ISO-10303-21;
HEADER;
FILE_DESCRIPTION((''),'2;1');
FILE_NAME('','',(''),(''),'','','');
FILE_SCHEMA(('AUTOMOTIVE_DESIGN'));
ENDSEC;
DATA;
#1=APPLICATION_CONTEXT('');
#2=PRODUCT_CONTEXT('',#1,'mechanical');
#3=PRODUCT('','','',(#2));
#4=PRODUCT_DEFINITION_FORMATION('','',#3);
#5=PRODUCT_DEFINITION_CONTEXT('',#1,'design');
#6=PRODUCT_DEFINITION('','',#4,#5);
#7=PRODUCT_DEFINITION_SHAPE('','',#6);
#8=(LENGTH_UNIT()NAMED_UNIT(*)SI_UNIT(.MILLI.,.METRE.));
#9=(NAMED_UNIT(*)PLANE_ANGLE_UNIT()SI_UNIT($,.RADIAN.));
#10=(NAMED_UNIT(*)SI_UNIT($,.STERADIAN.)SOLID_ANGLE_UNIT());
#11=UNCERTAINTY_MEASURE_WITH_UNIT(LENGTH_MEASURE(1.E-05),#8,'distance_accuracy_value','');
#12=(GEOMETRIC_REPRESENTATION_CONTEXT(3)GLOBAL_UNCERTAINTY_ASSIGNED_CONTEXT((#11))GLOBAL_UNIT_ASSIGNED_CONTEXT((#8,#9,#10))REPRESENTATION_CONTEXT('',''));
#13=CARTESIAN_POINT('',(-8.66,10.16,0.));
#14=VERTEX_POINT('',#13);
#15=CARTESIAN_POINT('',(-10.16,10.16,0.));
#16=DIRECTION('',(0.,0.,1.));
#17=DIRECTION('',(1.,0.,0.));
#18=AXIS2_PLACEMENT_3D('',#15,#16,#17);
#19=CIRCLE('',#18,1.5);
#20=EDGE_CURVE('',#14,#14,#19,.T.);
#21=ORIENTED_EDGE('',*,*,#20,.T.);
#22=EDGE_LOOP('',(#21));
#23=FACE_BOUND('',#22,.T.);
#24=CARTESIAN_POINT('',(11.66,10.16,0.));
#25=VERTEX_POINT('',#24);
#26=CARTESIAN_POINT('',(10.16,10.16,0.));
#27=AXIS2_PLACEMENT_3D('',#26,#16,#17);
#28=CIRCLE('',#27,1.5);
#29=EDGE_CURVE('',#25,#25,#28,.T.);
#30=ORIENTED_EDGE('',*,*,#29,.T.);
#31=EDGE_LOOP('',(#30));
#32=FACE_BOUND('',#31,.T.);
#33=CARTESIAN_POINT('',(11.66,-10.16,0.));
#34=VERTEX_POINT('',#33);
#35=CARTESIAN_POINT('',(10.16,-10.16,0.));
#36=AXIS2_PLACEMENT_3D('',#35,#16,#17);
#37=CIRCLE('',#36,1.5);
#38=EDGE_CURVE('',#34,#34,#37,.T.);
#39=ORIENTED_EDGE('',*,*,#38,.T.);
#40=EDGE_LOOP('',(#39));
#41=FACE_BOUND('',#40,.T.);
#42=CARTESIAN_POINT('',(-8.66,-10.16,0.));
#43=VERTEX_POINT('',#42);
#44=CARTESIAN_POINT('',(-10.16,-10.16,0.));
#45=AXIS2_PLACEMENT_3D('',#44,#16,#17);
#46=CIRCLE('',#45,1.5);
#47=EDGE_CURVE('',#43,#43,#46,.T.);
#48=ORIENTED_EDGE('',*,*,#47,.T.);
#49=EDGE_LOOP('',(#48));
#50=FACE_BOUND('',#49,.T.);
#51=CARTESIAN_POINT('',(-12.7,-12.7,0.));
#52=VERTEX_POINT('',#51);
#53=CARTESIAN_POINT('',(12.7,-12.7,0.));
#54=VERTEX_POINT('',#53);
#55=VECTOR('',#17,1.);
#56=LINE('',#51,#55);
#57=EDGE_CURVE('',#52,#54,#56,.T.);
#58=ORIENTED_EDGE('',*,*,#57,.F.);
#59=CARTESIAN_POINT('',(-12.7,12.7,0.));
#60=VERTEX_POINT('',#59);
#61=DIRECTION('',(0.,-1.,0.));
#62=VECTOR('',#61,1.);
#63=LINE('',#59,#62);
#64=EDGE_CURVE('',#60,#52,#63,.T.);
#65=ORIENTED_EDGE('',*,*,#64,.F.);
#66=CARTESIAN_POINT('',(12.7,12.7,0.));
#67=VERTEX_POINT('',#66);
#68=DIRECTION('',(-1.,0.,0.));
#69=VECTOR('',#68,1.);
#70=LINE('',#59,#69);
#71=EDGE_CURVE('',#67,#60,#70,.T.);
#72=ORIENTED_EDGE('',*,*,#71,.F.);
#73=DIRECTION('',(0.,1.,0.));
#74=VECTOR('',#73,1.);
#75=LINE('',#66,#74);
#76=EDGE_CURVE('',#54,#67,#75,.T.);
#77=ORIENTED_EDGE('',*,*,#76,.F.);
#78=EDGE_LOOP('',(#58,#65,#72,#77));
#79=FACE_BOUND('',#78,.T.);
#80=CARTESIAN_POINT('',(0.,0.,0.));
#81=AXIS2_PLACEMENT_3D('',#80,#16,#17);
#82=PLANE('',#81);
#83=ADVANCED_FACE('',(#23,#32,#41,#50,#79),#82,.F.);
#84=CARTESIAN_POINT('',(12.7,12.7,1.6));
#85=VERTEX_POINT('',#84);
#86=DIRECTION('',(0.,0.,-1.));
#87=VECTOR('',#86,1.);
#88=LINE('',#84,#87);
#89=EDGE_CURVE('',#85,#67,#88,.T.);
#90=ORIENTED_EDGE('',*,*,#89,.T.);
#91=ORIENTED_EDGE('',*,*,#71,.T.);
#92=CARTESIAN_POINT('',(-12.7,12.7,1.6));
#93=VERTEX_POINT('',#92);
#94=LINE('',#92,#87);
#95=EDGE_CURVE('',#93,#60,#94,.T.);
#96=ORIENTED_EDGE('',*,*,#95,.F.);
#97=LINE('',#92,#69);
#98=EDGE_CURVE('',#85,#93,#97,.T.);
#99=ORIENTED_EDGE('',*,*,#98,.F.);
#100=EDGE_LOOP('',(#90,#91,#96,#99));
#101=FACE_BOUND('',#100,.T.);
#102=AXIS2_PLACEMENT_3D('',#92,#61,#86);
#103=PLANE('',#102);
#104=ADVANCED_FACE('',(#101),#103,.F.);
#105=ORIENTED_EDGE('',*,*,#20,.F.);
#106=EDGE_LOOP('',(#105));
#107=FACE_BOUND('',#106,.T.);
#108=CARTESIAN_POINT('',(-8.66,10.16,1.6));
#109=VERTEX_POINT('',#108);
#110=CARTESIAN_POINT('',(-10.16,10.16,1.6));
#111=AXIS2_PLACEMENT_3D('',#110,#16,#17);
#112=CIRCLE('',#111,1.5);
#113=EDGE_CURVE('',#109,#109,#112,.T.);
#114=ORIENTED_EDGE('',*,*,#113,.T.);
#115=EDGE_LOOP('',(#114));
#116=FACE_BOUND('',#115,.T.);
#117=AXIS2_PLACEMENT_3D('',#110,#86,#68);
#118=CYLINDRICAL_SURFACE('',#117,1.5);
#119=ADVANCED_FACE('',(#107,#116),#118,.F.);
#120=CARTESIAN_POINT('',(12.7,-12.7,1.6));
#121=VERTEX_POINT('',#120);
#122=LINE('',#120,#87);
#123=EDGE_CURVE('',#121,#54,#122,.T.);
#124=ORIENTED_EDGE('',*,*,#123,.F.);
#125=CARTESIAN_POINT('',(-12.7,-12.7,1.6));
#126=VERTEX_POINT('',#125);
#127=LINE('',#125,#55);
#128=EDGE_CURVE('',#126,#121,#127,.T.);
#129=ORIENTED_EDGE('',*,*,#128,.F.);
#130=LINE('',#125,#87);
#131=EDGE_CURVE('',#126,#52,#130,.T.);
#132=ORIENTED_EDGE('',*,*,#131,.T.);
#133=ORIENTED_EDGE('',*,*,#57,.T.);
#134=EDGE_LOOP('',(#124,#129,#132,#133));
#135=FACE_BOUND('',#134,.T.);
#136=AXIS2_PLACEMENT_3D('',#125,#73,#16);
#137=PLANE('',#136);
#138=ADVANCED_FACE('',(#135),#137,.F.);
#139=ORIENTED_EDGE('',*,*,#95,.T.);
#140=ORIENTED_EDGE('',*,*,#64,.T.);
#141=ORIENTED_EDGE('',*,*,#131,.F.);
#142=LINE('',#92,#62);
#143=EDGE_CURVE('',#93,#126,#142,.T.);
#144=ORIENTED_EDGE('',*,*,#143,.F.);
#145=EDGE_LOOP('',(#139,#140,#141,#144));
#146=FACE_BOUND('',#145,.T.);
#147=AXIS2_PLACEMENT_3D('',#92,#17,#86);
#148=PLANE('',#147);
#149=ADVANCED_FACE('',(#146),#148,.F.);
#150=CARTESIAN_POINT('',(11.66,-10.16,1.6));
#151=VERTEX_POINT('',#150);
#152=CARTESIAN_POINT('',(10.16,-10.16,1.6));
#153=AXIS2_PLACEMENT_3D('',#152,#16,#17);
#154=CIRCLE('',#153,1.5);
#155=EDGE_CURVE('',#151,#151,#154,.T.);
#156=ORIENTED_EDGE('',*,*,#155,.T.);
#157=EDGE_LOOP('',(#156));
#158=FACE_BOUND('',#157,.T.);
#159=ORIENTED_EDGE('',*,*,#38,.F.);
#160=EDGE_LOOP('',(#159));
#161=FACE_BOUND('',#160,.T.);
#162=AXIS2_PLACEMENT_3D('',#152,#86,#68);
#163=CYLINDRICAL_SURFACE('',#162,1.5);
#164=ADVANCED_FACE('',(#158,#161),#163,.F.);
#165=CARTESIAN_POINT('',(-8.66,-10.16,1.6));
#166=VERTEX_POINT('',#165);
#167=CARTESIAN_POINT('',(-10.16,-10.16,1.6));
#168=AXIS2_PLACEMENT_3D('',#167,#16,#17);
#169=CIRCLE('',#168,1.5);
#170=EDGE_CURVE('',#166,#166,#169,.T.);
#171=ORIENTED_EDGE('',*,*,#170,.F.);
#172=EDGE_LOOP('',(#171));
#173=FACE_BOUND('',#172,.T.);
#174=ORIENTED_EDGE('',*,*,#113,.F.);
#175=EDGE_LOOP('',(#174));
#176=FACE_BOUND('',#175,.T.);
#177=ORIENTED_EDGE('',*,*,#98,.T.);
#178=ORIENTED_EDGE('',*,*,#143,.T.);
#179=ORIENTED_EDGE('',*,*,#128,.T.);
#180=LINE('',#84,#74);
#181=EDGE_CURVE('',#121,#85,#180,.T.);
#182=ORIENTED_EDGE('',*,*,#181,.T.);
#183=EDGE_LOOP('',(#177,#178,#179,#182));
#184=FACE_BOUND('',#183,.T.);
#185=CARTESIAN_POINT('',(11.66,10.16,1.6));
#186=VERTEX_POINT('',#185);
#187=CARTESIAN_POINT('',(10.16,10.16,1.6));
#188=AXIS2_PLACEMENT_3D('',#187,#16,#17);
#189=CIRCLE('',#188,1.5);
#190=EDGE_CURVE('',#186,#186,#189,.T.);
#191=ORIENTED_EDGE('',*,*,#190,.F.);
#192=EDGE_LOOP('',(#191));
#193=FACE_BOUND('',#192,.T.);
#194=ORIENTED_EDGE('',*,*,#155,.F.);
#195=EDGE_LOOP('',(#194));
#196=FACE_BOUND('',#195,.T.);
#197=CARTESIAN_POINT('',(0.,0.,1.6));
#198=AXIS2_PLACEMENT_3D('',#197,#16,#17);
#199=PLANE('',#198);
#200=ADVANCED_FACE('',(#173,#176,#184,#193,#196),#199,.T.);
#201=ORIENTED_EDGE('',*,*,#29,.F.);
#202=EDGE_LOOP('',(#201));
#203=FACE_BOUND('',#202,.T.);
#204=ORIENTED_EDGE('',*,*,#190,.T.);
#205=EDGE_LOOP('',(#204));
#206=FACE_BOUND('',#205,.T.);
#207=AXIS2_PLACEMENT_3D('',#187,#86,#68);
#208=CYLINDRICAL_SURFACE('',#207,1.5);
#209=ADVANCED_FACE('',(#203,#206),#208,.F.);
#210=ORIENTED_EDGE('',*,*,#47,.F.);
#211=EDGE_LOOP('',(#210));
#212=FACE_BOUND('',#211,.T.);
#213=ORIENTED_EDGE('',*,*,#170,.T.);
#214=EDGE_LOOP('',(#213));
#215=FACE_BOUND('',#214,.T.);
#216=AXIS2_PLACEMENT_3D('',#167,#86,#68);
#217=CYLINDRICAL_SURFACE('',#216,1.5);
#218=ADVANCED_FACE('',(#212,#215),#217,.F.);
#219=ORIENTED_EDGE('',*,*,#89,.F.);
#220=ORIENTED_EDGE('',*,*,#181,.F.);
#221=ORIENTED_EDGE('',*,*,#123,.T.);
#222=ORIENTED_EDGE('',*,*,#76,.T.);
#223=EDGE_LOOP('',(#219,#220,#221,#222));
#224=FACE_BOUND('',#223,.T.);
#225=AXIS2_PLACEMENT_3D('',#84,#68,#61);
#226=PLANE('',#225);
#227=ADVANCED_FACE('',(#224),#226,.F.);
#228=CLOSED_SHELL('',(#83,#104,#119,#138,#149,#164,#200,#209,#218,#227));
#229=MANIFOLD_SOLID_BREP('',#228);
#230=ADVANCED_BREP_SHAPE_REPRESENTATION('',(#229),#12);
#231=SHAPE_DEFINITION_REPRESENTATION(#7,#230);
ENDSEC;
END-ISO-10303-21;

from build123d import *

# Parameters (mm, degrees)
SKETCH1_W           = 25.4
SKETCH1_H           = 25.4
SKETCH1_R           = 1.5
BOSS_EXTRUDE1_DEPTH = 1.6


with BuildPart() as part:
    # Sketch1 → Boss-Extrude1 (new body)
    with BuildSketch(Plane.XY):
        Rectangle(SKETCH1_W, SKETCH1_H)
        with Locations((-10.16, 10.16)):
            Circle(SKETCH1_R, mode=Mode.SUBTRACT)
        with Locations((10.16, 10.16)):
            Circle(SKETCH1_R, mode=Mode.SUBTRACT)
        with Locations((10.16, -10.16)):
            Circle(SKETCH1_R, mode=Mode.SUBTRACT)
        with Locations((-10.16, -10.16)):
            Circle(SKETCH1_R, mode=Mode.SUBTRACT)
    extrude(amount=BOSS_EXTRUDE1_DEPTH)


solid = part.part
